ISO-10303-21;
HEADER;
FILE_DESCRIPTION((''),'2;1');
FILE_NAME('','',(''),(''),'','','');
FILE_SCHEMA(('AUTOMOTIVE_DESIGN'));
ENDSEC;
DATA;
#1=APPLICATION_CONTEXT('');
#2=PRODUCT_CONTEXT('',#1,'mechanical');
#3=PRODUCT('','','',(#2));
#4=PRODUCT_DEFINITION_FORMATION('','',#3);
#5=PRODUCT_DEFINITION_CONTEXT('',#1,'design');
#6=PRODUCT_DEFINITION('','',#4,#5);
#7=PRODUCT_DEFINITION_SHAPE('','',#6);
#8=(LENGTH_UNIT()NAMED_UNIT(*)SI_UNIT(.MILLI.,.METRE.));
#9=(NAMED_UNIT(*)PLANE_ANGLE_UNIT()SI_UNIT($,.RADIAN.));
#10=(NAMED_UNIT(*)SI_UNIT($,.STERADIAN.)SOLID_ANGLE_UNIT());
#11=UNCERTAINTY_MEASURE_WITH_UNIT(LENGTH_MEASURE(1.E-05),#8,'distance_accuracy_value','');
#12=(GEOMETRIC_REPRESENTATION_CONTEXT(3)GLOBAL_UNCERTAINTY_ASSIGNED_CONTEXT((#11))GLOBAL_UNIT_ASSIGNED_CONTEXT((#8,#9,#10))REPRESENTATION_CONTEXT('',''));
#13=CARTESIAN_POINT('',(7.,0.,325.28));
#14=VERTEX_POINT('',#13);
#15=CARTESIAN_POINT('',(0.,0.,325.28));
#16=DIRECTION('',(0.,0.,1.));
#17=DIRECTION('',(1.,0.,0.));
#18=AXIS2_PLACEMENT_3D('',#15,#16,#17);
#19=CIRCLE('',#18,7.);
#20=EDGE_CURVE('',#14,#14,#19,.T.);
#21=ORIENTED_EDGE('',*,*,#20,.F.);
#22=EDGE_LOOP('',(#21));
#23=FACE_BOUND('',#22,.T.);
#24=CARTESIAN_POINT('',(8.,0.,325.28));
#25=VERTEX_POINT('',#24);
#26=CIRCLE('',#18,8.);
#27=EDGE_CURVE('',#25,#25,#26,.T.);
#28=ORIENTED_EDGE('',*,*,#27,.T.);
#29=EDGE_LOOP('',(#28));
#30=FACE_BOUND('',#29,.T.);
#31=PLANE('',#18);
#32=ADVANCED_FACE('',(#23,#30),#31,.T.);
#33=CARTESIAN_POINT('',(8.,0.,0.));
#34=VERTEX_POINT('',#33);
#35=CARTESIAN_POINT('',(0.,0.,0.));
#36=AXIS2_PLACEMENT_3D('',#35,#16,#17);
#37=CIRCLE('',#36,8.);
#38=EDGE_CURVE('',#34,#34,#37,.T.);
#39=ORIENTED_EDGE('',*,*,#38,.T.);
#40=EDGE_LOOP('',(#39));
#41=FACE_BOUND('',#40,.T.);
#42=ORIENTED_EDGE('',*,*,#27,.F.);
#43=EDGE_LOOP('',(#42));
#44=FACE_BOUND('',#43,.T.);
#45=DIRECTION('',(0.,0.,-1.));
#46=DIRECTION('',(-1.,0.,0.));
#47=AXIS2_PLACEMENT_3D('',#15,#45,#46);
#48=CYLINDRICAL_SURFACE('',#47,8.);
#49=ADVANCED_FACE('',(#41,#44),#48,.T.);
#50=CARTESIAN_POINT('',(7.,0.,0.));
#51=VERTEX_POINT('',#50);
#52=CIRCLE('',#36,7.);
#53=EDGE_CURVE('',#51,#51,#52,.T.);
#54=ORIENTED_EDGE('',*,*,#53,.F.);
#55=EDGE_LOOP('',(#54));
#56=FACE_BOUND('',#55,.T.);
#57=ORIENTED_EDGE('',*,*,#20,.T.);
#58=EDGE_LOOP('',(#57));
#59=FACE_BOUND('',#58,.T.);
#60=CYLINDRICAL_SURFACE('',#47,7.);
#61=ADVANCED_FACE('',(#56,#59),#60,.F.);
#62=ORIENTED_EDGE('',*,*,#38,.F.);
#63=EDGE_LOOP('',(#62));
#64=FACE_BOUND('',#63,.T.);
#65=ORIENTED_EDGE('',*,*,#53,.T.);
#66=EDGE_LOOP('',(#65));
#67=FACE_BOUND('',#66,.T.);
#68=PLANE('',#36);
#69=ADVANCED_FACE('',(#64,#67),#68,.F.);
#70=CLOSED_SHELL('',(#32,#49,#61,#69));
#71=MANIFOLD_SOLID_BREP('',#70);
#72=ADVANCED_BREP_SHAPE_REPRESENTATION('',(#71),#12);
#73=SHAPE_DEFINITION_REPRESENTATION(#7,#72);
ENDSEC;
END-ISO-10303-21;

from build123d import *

# Parameters (mm, degrees)
SKETCH1_R           = 8
SKETCH1_R_2         = 7
BOSS_EXTRUDE1_DEPTH = 325.28


with BuildPart() as part:
    # Sketch1 → Boss-Extrude1 (new body)
    with BuildSketch(Plane.XY):
        Circle(SKETCH1_R)
        Circle(SKETCH1_R_2, mode=Mode.SUBTRACT)
    extrude(amount=BOSS_EXTRUDE1_DEPTH)


solid = part.part
